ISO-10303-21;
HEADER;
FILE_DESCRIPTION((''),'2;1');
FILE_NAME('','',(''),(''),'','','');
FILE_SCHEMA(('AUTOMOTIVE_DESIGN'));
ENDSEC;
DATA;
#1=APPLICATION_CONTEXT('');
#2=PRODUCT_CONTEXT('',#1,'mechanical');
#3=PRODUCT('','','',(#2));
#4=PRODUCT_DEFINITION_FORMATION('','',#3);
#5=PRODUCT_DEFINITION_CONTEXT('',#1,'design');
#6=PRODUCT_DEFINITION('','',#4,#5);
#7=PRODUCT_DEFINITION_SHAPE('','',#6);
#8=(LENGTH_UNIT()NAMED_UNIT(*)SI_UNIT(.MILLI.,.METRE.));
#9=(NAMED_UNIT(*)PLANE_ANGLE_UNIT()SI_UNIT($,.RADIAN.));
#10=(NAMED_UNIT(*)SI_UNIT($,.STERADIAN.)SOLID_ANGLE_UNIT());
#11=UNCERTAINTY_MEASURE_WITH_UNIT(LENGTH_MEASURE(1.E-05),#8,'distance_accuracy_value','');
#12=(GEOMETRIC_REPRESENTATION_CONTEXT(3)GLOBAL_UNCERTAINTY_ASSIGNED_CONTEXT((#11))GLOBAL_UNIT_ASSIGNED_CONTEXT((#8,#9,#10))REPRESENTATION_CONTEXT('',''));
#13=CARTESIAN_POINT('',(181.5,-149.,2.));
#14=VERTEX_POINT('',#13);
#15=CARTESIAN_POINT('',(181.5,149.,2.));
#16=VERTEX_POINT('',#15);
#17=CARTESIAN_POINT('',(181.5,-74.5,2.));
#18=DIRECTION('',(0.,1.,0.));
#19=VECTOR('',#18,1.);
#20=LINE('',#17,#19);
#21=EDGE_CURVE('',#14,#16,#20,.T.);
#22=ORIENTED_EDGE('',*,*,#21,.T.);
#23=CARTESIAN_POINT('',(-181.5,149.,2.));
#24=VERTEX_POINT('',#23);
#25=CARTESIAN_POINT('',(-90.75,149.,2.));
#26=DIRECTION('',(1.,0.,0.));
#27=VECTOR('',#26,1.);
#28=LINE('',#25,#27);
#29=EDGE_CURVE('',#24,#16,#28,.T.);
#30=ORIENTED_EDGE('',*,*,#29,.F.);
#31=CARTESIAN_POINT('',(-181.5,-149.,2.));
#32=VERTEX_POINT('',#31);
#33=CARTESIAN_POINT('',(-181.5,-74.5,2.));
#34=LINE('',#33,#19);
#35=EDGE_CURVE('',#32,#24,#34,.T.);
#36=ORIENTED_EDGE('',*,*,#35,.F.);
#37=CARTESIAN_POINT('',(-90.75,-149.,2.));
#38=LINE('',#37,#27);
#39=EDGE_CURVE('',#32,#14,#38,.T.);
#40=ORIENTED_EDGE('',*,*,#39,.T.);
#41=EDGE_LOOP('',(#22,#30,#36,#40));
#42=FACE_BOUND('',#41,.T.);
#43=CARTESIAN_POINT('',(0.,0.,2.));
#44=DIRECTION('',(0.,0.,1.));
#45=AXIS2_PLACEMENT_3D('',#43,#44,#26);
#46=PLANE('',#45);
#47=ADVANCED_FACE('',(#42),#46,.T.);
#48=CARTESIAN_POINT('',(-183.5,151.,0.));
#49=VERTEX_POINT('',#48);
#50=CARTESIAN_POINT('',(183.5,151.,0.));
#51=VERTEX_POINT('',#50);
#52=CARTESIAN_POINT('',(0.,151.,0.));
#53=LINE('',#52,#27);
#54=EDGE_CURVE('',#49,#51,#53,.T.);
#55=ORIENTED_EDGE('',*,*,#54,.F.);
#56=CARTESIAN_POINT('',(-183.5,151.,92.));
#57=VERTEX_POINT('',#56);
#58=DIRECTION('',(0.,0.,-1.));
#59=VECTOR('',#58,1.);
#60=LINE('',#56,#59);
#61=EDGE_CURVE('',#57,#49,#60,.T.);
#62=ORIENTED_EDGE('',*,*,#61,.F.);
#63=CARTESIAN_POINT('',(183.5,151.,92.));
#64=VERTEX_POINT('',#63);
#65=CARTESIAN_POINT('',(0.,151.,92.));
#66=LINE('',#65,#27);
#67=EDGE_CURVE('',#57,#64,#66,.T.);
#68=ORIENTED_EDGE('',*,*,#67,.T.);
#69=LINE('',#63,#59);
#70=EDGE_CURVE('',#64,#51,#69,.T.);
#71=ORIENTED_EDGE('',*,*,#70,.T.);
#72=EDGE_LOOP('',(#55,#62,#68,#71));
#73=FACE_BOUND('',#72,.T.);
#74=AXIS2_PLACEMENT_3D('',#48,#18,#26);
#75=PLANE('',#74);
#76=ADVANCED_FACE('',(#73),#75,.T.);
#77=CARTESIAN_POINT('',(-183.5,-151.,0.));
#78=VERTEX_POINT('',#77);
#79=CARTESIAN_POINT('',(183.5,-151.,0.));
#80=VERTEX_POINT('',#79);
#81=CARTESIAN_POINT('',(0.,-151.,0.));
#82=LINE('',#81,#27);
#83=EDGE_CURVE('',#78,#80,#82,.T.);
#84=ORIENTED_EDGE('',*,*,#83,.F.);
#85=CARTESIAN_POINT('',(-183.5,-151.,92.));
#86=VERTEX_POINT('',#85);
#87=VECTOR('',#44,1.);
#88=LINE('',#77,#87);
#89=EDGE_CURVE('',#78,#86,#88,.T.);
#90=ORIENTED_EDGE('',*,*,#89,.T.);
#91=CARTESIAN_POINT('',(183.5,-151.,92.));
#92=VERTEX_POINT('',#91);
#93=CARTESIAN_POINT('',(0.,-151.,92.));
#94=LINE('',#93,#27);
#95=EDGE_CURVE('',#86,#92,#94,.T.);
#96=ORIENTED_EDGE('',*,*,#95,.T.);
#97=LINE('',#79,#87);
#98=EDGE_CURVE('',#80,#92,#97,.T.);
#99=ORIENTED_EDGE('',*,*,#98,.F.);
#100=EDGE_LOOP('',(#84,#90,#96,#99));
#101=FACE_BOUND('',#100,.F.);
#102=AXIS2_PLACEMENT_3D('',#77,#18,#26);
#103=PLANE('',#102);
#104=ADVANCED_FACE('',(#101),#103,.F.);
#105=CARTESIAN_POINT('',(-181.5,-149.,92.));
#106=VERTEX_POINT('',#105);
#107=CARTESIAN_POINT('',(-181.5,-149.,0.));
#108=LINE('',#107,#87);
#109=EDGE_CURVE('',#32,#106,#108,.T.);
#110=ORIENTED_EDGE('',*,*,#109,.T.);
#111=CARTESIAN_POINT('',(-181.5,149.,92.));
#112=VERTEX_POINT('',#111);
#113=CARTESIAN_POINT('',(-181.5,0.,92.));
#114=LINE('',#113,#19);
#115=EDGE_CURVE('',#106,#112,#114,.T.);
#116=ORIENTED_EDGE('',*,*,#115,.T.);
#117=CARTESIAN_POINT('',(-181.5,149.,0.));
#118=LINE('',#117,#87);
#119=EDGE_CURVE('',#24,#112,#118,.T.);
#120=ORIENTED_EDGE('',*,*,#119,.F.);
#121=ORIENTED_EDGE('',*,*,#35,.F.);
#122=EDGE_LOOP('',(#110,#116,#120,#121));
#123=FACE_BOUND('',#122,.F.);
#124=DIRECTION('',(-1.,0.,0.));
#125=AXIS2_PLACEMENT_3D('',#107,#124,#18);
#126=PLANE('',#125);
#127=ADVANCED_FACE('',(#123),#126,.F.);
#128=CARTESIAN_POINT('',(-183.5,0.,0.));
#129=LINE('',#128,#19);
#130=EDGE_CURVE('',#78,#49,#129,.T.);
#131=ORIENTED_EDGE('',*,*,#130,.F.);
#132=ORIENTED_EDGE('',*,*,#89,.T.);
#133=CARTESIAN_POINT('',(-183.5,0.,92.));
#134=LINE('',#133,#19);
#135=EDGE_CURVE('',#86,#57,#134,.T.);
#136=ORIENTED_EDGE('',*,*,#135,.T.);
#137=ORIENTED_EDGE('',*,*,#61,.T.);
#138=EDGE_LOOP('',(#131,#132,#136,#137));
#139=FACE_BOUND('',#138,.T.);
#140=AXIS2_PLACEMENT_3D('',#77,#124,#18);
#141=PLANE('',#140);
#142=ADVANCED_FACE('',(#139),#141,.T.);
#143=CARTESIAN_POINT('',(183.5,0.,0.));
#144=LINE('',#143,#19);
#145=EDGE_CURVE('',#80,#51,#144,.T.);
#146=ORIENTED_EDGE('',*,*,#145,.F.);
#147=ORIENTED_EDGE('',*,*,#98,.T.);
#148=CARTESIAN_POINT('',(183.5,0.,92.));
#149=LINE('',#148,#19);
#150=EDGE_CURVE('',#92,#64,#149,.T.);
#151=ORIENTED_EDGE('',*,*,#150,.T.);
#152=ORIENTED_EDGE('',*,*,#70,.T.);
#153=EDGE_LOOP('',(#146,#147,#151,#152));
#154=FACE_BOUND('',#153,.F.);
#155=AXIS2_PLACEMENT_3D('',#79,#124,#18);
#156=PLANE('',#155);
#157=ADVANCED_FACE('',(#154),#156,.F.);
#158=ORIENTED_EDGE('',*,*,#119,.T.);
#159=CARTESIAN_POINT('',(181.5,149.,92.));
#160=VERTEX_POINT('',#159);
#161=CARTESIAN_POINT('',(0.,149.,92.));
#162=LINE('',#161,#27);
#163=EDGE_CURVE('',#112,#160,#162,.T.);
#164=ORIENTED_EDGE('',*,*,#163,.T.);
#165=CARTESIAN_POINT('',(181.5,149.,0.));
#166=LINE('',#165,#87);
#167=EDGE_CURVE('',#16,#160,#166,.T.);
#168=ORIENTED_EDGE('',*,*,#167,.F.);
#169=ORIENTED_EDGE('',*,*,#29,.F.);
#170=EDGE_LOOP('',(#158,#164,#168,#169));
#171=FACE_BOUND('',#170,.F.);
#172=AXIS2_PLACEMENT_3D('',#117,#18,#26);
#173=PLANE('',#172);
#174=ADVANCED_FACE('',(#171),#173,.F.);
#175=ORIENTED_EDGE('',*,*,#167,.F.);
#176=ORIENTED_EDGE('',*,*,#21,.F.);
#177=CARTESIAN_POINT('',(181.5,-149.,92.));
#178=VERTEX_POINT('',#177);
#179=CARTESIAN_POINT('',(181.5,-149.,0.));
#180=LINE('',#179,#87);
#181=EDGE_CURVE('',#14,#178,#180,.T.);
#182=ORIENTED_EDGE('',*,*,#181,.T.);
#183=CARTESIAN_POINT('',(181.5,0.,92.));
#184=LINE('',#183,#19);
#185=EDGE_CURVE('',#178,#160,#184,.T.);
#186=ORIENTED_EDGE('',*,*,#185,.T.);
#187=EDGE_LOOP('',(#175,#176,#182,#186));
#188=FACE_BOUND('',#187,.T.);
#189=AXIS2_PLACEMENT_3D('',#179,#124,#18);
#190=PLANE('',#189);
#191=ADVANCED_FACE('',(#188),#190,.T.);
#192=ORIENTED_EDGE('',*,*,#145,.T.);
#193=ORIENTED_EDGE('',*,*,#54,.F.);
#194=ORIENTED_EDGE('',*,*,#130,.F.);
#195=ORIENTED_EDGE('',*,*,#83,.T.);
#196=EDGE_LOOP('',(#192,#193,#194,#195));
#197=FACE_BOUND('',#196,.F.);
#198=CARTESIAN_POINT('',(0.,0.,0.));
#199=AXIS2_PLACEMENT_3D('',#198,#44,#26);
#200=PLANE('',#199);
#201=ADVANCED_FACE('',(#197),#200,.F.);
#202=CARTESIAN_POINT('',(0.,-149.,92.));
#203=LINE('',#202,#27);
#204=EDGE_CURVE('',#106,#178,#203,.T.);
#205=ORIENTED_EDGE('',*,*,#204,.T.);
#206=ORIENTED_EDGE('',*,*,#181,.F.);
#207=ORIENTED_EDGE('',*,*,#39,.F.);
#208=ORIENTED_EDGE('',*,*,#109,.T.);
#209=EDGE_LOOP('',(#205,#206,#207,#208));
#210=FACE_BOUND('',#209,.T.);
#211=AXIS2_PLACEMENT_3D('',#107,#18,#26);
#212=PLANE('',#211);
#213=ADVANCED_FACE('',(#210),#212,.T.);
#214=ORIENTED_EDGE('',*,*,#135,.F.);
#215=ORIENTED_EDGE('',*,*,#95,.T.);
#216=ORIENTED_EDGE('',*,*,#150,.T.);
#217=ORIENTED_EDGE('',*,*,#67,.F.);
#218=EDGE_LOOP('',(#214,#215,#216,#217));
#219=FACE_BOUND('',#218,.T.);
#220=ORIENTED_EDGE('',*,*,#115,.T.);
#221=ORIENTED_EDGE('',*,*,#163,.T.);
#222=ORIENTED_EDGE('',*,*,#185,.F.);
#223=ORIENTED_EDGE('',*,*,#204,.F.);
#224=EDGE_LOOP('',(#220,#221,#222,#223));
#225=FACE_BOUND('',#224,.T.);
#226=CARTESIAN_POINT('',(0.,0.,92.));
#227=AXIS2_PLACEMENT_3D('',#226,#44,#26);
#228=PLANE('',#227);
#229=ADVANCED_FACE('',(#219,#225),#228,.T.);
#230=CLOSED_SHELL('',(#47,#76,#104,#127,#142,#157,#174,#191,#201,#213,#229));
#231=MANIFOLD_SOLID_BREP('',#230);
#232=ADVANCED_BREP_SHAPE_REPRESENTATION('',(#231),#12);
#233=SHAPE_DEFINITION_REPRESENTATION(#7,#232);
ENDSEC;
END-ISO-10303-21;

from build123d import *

# Parameters (mm, degrees)
F1_W     = 367
F1_H     = 302
F1_W_2   = 363
F1_H_2   = 298
F2_DEPTH = 92
F3_DEPTH = 2


with BuildPart() as f2:
    # F1 (on Top) → F2 (new body)
    with BuildSketch(Plane.XY):
        Rectangle(F1_W, F1_H)
        Rectangle(F1_W_2, F1_H_2, mode=Mode.SUBTRACT)
    extrude(amount=F2_DEPTH)

    # F1 (on Top) → F3 (join)
    with BuildSketch(Plane.XY):
        Rectangle(F1_W, F1_H)
        Rectangle(F1_W_2, F1_H_2, mode=Mode.SUBTRACT)
        Rectangle(F1_W_2, F1_H_2)
    extrude(amount=F3_DEPTH)


solid = f2.part
